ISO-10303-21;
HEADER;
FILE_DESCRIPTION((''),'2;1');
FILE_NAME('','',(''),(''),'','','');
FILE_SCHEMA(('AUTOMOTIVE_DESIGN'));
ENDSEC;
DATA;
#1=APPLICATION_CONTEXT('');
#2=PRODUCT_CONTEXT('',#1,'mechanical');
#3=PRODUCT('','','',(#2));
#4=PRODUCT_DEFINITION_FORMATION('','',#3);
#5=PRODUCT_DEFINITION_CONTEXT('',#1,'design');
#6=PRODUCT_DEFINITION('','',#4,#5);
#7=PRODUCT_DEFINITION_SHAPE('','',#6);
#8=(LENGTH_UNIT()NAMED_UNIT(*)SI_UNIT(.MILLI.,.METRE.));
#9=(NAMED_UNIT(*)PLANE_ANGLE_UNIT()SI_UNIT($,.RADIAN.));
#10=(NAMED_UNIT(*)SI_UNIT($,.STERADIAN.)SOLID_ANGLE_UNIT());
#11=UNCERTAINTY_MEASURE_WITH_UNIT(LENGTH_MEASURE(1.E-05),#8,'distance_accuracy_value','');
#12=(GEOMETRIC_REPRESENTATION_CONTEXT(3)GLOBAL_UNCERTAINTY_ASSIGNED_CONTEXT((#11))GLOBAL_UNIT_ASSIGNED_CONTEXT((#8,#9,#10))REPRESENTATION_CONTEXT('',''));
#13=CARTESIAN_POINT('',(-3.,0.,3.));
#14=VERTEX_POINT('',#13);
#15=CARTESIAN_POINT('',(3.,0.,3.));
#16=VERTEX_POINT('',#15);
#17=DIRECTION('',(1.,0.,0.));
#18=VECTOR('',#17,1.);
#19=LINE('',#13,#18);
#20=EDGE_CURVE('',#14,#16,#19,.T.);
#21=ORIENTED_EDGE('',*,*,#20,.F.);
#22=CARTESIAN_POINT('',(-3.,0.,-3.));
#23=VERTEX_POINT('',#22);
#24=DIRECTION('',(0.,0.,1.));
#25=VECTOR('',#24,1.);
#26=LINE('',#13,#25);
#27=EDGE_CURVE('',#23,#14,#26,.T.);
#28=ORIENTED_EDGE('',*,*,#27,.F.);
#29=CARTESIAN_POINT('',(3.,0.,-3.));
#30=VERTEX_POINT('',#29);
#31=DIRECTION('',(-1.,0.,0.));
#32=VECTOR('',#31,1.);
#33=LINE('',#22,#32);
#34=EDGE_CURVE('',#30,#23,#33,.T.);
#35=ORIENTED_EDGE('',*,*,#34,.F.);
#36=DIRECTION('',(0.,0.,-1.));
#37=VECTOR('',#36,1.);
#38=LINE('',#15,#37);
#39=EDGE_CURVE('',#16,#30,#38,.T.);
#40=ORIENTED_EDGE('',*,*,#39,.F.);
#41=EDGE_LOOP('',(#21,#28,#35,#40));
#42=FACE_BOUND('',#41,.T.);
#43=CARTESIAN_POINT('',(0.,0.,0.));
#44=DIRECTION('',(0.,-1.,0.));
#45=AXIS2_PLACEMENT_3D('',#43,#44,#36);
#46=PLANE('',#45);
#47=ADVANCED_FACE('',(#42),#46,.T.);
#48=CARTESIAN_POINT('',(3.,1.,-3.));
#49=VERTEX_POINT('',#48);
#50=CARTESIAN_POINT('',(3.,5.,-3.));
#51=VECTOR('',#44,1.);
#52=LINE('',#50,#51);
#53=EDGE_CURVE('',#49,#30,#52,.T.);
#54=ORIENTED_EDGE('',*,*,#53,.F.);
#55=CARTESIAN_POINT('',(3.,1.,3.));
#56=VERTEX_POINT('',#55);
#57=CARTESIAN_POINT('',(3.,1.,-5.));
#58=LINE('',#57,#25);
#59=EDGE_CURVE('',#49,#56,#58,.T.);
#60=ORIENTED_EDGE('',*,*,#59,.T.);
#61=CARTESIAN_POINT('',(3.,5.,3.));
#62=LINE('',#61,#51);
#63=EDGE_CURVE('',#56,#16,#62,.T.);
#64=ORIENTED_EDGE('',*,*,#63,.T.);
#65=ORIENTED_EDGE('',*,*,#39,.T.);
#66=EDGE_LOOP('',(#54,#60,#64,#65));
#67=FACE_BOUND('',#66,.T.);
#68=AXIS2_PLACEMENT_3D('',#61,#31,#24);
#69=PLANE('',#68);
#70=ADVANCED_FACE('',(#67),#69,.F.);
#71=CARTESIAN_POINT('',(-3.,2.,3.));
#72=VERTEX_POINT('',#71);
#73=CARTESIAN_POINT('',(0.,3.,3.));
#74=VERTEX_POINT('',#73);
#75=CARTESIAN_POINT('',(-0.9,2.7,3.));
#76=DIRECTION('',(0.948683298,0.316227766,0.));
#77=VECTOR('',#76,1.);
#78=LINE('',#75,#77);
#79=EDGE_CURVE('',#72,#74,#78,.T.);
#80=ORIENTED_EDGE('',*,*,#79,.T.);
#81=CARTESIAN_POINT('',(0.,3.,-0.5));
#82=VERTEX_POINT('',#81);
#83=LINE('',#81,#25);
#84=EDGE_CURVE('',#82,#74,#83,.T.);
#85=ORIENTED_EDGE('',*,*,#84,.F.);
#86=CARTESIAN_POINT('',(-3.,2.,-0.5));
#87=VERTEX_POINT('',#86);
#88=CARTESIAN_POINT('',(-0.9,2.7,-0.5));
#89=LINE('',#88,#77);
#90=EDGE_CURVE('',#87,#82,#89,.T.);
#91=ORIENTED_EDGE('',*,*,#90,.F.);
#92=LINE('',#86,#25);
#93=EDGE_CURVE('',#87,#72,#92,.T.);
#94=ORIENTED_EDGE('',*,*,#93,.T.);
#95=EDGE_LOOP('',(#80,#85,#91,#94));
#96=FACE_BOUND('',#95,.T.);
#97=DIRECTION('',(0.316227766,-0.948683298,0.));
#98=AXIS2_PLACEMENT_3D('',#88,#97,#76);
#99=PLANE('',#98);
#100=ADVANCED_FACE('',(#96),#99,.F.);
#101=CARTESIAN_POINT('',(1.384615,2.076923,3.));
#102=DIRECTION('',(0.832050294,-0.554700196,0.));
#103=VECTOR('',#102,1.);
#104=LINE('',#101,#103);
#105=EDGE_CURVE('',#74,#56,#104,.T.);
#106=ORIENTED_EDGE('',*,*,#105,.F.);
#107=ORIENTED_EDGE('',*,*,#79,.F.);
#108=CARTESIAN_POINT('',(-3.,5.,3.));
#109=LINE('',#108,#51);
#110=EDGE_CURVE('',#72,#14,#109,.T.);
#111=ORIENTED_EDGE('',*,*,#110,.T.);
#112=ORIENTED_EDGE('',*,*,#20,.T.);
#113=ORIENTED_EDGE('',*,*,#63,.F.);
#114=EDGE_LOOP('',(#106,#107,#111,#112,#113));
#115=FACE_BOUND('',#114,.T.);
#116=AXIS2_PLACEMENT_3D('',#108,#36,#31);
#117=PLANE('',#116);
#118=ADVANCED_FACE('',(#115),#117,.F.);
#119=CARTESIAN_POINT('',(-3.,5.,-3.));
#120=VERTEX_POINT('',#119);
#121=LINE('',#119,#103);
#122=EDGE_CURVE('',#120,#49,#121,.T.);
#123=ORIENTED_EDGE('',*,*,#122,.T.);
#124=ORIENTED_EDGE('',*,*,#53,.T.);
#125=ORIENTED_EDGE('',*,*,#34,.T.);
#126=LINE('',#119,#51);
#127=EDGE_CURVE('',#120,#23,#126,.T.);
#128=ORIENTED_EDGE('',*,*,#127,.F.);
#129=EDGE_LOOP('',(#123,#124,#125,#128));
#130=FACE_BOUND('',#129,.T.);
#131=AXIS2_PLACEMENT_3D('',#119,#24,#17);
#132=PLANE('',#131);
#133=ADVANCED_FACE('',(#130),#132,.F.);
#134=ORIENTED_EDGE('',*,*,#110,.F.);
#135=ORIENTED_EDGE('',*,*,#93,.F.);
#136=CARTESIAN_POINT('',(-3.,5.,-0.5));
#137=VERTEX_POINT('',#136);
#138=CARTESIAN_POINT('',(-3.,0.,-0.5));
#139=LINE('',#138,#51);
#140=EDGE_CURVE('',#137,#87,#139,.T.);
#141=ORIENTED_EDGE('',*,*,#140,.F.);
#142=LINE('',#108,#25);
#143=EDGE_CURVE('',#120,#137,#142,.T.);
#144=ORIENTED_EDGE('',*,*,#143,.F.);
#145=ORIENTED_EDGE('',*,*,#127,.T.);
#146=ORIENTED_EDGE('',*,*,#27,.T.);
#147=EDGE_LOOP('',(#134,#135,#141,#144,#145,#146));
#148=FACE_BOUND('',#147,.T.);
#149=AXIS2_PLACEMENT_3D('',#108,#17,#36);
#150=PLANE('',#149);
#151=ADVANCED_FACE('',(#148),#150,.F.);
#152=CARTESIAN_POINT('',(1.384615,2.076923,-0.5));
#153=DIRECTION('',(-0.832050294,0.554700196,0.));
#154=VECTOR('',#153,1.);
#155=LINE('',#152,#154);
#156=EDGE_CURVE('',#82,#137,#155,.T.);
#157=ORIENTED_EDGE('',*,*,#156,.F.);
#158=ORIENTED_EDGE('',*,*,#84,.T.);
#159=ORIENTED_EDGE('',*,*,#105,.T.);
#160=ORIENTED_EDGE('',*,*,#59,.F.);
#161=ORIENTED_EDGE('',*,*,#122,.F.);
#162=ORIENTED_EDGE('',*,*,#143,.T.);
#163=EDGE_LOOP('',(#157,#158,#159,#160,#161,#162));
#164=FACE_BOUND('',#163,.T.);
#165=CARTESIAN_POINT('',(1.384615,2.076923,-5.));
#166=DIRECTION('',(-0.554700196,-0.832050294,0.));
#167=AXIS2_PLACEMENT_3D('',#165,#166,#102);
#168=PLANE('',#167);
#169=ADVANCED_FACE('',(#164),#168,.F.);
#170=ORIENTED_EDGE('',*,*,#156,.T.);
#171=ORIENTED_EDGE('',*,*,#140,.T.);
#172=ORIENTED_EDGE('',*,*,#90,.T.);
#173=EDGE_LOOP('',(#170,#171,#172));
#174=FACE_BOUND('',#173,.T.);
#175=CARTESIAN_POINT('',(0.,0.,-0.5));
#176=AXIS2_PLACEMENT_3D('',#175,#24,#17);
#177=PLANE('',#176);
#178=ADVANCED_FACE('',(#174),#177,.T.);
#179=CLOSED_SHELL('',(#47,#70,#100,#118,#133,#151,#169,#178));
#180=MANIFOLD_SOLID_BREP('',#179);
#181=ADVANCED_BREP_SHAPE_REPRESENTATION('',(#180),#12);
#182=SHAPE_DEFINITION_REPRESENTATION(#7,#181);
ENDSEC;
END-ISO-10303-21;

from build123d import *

# Parameters (mm, degrees)
SKETCH1_W           = 6
SKETCH1_H           = 6
BOSS_EXTRUDE1_DEPTH = 5
CUT_EXTRUDE7_DEPTH  = 8
CUT_EXTRUDE8_DEPTH  = 3.5


with BuildPart() as part:
    # Sketch1 → Boss-Extrude1 (new body)
    with BuildSketch(Plane(origin=(0, 0, 0), x_dir=(1, 0, 0), z_dir=(0, 1, 0))):
        Rectangle(SKETCH1_W, SKETCH1_H)
    extrude(amount=BOSS_EXTRUDE1_DEPTH)

    # Sketch10 → Cut-Extrude7 (cut)
    with BuildSketch(Plane.XY.offset(3)):
        Polygon((3, 5), (-3, 5), (3, 1), align=None)
    extrude(amount=-CUT_EXTRUDE7_DEPTH, mode=Mode.SUBTRACT)

    # Sketch11 → Cut-Extrude8 (cut)
    with BuildSketch(Plane.XY.offset(3)):
        Polygon((-3, 5), (-3, 2), (0, 3), align=None)
    extrude(amount=-CUT_EXTRUDE8_DEPTH, mode=Mode.SUBTRACT)


solid = part.part
